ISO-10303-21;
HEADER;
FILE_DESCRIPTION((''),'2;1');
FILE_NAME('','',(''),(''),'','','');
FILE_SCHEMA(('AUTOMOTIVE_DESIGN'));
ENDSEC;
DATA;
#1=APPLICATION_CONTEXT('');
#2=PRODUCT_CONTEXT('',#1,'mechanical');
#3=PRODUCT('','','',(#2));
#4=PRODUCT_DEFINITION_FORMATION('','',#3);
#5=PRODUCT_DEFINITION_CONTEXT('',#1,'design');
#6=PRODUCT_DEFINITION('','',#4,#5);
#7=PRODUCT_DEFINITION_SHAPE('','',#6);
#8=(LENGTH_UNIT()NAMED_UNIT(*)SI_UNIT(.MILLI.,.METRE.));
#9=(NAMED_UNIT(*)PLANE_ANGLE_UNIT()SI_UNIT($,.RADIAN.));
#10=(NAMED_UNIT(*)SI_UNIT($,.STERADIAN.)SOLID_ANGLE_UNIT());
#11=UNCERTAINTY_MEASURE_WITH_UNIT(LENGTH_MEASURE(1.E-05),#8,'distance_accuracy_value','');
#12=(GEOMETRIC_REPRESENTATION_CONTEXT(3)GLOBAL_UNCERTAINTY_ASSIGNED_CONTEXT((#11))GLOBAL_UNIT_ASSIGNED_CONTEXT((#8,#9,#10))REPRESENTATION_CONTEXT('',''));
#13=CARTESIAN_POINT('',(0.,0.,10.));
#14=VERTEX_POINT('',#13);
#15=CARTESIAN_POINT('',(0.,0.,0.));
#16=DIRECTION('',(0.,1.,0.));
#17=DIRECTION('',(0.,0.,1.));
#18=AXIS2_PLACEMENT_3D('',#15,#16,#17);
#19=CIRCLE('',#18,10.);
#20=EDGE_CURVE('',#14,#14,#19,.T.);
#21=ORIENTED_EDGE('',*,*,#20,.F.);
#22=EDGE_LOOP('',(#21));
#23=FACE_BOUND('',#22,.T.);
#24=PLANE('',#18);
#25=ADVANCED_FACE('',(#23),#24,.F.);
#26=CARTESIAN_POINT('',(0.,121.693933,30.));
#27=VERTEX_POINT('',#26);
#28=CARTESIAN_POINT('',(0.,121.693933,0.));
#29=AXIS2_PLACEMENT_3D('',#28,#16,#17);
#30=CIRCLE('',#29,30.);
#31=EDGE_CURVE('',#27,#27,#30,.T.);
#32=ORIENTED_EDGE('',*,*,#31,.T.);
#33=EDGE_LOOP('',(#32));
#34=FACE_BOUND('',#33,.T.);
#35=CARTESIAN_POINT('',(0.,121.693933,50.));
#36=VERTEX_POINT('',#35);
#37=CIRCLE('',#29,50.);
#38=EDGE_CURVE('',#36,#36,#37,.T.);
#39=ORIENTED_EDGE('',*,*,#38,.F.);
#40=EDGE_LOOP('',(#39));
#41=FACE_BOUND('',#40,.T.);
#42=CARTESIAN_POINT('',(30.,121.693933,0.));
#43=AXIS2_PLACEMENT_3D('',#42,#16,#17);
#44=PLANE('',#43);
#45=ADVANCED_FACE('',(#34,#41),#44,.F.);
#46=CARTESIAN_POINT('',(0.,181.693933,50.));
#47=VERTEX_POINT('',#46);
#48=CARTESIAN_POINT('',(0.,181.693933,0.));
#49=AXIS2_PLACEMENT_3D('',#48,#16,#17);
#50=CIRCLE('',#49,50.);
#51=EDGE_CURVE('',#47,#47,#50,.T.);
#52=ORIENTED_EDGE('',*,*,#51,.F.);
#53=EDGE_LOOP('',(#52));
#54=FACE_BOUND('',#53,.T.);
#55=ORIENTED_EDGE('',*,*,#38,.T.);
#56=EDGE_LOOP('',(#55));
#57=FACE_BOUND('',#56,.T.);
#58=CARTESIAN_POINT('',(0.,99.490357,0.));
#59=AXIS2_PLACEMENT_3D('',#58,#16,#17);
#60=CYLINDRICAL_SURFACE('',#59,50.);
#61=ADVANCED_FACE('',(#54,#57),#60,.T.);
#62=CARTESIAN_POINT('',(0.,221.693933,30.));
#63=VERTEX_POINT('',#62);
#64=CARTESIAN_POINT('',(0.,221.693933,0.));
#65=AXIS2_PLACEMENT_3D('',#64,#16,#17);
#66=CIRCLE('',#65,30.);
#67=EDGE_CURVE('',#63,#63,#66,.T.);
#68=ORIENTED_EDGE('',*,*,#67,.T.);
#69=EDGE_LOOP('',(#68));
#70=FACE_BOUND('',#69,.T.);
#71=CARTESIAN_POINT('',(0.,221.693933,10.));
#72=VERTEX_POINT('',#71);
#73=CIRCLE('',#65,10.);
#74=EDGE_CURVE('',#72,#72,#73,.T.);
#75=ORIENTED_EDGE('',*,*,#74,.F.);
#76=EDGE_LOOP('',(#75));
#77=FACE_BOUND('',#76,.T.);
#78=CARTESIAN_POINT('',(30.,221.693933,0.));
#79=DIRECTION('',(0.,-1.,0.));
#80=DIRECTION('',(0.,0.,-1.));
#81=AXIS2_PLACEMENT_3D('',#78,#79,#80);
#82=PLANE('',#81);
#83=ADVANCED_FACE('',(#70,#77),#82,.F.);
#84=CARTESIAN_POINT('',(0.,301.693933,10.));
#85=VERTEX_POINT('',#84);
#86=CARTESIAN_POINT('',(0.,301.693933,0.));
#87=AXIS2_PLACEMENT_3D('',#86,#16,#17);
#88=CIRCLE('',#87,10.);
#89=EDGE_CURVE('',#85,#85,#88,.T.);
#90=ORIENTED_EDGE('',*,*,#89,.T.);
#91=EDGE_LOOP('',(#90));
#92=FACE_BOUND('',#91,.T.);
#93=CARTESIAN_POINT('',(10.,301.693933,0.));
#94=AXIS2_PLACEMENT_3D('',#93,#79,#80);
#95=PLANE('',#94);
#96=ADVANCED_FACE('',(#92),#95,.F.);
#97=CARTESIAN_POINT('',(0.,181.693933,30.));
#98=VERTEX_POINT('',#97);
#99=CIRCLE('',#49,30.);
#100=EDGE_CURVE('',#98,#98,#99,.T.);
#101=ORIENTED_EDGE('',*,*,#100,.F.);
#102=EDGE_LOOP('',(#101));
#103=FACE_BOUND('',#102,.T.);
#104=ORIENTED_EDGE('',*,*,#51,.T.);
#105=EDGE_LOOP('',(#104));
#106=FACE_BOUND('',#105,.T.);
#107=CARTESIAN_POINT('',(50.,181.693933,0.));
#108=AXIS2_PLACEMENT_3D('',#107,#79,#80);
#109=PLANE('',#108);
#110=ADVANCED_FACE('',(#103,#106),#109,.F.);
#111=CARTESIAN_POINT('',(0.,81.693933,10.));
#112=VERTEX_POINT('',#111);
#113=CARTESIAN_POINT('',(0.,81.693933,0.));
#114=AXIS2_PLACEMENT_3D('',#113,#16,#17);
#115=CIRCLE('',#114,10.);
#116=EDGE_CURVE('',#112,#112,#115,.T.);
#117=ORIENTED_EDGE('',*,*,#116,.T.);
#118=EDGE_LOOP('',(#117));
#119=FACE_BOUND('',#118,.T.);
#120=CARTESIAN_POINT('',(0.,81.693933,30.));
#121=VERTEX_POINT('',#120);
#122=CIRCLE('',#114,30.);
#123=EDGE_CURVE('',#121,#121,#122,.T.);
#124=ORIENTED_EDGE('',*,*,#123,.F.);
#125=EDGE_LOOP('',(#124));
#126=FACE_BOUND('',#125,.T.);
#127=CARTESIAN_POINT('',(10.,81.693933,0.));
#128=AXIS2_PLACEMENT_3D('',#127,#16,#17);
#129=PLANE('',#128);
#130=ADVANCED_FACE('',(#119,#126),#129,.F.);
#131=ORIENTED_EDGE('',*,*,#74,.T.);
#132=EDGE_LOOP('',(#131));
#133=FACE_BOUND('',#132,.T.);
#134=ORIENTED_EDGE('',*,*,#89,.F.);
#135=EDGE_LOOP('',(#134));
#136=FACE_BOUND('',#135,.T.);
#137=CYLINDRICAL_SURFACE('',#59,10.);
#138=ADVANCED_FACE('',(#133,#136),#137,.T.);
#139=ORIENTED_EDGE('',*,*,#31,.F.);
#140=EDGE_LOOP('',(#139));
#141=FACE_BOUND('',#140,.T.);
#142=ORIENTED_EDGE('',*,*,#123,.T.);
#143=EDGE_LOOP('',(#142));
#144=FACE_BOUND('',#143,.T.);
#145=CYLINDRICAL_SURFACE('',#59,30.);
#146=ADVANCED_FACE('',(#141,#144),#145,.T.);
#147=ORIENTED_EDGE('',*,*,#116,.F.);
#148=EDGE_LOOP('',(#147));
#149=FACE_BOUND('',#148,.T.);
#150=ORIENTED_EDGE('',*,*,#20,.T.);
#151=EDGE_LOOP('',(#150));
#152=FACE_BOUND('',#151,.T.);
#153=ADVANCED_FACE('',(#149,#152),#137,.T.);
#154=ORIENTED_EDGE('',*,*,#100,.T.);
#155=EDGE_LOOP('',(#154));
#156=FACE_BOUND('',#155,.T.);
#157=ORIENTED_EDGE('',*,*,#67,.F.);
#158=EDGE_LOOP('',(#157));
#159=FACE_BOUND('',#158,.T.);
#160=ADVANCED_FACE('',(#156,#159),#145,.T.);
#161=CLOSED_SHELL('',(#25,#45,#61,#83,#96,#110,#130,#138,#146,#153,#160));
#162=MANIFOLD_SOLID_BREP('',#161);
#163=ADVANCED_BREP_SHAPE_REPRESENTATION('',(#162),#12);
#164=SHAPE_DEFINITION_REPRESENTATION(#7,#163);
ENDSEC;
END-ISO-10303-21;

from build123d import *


with BuildPart() as part:
    # Sketch1 → Revolve1 (revolve)
    with BuildSketch(Plane.XY, mode=Mode.PRIVATE) as revolve1_sk:
        Polygon((0, 0), (10, 0), (10, 1.693933425), (10, 81.693933425), (30, 81.693933425), (30, 121.693933425), (50, 121.693933425), (50, 181.693933425), (30, 181.693933425), (30, 221.693933425), (10, 221.693933425), (10, 301.693933425), (0, 301.693933425), align=None)
    revolve(revolve1_sk.sketch.rotate(Axis((0, 99.4903565, 0), (0, -1, 0)), 90), axis=Axis((0, 99.4903565, 0), (0, -1, 0)))  # turned: the seam where the file's is


solid = part.part
